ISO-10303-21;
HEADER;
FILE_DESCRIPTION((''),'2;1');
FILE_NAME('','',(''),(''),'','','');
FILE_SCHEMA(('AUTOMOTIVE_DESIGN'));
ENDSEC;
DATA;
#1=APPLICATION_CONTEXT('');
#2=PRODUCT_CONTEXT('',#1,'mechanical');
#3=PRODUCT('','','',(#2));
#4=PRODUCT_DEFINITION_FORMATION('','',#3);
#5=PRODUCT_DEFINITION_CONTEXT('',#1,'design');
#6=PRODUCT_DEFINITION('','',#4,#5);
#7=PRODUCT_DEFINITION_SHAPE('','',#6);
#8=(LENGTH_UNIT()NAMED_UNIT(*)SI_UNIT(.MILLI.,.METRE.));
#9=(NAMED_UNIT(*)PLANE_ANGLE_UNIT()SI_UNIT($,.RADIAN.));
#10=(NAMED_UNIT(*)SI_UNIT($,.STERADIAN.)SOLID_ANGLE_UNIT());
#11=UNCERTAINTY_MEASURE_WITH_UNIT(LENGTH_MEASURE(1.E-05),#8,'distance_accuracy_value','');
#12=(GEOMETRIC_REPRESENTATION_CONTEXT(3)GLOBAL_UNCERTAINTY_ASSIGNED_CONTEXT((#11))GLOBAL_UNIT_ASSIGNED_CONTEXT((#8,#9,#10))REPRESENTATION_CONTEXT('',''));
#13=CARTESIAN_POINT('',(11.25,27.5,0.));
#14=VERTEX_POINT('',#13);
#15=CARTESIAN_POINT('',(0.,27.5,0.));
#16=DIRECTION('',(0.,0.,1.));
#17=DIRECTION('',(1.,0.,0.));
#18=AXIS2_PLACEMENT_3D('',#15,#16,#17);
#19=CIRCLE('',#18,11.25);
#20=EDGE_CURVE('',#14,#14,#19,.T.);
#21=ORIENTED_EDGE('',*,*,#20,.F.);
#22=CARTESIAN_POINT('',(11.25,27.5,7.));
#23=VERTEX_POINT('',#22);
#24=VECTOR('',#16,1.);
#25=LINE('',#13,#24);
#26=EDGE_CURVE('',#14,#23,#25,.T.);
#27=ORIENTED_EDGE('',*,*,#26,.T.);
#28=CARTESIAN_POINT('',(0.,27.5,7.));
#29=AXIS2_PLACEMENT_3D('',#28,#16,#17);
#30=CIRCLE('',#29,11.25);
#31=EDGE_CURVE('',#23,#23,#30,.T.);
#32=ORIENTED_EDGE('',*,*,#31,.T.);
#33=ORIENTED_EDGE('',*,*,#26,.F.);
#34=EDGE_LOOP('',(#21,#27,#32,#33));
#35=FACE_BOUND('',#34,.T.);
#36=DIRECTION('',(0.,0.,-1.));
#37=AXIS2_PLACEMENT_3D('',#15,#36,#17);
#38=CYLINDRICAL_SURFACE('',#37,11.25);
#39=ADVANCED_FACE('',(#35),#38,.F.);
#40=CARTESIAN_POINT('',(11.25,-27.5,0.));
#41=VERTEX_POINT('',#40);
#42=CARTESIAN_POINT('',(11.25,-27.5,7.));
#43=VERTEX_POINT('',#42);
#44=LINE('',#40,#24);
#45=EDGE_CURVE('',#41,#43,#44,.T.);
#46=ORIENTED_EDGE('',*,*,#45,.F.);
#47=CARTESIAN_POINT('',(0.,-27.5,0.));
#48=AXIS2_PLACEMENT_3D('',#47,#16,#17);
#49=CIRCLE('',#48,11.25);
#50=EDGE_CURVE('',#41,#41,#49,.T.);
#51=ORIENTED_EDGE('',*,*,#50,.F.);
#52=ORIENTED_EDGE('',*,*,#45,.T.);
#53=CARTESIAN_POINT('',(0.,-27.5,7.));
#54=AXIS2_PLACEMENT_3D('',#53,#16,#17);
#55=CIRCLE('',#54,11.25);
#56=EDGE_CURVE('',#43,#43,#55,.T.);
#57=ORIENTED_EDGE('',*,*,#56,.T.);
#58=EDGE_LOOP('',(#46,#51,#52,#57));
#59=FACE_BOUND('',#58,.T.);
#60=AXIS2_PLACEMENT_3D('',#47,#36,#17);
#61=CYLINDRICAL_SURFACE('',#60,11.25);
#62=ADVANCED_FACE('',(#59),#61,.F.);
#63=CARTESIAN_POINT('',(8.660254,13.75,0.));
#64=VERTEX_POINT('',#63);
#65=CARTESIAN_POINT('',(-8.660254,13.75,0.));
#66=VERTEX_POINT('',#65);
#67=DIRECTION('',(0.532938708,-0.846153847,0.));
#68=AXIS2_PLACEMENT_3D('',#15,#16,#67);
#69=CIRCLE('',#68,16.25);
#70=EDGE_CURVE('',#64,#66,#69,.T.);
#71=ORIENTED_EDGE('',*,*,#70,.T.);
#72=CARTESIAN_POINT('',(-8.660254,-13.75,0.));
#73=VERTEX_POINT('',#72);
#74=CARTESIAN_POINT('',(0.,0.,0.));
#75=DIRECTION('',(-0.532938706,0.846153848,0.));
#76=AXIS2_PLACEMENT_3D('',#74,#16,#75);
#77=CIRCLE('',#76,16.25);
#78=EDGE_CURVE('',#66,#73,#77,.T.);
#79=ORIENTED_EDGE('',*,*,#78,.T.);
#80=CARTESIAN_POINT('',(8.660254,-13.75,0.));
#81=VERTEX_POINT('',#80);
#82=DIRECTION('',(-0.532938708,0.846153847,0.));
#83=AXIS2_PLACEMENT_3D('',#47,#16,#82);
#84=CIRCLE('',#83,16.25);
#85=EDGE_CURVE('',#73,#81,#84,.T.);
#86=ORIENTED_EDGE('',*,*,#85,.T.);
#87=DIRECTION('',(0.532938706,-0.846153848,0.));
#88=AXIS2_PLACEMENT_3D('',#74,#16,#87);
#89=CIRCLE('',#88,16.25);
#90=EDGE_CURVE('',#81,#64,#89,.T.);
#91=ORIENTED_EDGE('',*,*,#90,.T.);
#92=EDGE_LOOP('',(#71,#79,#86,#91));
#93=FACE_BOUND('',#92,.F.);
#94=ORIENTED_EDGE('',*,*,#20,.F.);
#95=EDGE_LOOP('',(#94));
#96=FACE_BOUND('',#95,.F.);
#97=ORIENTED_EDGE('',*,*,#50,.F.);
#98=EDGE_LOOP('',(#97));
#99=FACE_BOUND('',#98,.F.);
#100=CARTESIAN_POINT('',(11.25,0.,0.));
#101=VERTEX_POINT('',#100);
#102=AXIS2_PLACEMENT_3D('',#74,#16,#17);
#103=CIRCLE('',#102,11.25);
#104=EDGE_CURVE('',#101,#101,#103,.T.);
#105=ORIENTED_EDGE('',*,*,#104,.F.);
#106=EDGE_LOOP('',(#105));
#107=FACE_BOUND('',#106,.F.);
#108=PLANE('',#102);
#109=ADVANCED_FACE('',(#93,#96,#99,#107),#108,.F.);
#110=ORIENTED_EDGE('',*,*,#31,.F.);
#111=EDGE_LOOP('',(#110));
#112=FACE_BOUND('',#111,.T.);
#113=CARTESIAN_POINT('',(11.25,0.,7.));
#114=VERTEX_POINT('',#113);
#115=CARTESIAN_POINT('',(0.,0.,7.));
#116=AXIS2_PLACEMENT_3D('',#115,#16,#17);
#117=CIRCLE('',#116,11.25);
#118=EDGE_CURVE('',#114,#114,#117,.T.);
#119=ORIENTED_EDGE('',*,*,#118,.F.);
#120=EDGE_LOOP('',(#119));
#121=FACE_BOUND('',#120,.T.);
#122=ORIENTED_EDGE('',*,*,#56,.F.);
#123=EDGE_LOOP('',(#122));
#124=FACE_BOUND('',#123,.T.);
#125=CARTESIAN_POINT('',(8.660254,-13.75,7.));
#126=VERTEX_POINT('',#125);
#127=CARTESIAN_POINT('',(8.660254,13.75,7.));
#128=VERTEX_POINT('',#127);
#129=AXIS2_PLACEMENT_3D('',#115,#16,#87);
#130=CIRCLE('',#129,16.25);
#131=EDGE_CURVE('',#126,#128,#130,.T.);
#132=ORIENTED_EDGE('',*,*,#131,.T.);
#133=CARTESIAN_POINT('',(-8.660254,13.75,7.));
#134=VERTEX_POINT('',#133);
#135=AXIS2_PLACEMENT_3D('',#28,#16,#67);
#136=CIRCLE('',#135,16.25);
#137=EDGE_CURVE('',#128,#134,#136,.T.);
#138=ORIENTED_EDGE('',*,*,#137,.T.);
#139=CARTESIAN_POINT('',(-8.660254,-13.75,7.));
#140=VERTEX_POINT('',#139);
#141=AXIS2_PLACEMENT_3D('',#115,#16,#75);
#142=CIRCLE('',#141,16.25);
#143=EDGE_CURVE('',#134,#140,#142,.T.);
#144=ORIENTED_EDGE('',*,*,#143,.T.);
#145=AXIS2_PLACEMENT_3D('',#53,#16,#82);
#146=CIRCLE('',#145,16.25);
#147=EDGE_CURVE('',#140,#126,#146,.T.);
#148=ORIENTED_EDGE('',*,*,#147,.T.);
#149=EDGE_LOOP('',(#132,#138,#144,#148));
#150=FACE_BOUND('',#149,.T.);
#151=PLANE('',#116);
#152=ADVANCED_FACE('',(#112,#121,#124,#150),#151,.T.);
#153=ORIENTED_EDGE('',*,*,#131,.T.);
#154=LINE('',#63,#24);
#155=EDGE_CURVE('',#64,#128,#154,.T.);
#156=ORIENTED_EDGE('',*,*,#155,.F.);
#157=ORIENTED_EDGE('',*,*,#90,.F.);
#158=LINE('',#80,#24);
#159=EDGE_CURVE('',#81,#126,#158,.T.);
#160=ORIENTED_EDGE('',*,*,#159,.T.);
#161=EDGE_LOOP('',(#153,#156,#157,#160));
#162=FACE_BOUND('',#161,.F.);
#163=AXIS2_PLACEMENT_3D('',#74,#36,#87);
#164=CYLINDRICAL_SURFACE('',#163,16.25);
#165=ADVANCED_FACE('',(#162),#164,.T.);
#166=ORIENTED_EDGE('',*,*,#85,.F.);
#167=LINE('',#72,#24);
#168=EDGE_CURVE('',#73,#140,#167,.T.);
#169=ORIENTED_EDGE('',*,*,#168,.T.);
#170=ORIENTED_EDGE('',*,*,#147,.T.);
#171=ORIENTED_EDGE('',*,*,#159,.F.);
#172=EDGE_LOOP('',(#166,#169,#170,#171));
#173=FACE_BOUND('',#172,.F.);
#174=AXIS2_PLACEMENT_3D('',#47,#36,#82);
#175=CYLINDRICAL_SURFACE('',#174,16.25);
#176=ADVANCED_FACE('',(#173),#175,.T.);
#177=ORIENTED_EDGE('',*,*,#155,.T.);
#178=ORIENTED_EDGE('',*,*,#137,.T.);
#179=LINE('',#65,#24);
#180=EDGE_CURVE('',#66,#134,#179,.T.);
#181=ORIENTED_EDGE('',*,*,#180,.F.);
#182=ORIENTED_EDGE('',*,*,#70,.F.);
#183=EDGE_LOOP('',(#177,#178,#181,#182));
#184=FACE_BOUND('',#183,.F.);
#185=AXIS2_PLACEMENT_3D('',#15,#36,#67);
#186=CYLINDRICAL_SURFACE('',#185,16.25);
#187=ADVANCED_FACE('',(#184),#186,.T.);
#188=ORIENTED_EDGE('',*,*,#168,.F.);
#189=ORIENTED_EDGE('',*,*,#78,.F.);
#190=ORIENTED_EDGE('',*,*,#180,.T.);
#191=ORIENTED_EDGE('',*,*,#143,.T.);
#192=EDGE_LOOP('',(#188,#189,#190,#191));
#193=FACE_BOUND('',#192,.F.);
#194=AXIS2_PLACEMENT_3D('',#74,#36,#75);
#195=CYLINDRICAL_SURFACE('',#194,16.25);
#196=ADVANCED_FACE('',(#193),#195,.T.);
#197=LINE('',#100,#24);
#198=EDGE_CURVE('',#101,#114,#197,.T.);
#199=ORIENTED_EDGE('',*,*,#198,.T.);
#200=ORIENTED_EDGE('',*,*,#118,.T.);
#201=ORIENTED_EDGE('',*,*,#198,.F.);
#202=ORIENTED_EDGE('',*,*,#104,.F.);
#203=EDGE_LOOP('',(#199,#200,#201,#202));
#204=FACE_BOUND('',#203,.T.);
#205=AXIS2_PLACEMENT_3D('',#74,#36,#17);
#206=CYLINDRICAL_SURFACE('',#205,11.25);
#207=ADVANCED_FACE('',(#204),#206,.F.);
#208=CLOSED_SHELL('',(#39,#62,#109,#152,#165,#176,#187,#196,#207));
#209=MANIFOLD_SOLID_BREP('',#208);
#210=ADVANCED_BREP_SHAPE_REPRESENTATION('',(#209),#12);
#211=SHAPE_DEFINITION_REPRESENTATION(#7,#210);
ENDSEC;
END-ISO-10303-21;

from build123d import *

# Parameters (mm, degrees)
F0_R     = 11.25
F1_DEPTH = 7


with BuildPart() as f1:
    # F0 (on Top) → F1 (new body)
    with BuildSketch(Plane.XY):
        with BuildLine():
            ThreePointArc((8.660254, -13.75), (16.25, 0), (8.660254, 13.75))
            ThreePointArc((8.660254, 13.75), (0, 43.75), (-8.660254, 13.75))
            ThreePointArc((-8.660254, 13.75), (-16.25, 0), (-8.660254, -13.75))
            ThreePointArc((-8.660254, -13.75), (0, -43.75), (8.660254, -13.75))
        make_face()
        with Locations((0, -27.5)):
            Circle(F0_R, mode=Mode.SUBTRACT)
        Circle(F0_R, mode=Mode.SUBTRACT)
        with Locations((0, 27.5)):
            Circle(F0_R, mode=Mode.SUBTRACT)
    extrude(amount=F1_DEPTH)


solid = f1.part
